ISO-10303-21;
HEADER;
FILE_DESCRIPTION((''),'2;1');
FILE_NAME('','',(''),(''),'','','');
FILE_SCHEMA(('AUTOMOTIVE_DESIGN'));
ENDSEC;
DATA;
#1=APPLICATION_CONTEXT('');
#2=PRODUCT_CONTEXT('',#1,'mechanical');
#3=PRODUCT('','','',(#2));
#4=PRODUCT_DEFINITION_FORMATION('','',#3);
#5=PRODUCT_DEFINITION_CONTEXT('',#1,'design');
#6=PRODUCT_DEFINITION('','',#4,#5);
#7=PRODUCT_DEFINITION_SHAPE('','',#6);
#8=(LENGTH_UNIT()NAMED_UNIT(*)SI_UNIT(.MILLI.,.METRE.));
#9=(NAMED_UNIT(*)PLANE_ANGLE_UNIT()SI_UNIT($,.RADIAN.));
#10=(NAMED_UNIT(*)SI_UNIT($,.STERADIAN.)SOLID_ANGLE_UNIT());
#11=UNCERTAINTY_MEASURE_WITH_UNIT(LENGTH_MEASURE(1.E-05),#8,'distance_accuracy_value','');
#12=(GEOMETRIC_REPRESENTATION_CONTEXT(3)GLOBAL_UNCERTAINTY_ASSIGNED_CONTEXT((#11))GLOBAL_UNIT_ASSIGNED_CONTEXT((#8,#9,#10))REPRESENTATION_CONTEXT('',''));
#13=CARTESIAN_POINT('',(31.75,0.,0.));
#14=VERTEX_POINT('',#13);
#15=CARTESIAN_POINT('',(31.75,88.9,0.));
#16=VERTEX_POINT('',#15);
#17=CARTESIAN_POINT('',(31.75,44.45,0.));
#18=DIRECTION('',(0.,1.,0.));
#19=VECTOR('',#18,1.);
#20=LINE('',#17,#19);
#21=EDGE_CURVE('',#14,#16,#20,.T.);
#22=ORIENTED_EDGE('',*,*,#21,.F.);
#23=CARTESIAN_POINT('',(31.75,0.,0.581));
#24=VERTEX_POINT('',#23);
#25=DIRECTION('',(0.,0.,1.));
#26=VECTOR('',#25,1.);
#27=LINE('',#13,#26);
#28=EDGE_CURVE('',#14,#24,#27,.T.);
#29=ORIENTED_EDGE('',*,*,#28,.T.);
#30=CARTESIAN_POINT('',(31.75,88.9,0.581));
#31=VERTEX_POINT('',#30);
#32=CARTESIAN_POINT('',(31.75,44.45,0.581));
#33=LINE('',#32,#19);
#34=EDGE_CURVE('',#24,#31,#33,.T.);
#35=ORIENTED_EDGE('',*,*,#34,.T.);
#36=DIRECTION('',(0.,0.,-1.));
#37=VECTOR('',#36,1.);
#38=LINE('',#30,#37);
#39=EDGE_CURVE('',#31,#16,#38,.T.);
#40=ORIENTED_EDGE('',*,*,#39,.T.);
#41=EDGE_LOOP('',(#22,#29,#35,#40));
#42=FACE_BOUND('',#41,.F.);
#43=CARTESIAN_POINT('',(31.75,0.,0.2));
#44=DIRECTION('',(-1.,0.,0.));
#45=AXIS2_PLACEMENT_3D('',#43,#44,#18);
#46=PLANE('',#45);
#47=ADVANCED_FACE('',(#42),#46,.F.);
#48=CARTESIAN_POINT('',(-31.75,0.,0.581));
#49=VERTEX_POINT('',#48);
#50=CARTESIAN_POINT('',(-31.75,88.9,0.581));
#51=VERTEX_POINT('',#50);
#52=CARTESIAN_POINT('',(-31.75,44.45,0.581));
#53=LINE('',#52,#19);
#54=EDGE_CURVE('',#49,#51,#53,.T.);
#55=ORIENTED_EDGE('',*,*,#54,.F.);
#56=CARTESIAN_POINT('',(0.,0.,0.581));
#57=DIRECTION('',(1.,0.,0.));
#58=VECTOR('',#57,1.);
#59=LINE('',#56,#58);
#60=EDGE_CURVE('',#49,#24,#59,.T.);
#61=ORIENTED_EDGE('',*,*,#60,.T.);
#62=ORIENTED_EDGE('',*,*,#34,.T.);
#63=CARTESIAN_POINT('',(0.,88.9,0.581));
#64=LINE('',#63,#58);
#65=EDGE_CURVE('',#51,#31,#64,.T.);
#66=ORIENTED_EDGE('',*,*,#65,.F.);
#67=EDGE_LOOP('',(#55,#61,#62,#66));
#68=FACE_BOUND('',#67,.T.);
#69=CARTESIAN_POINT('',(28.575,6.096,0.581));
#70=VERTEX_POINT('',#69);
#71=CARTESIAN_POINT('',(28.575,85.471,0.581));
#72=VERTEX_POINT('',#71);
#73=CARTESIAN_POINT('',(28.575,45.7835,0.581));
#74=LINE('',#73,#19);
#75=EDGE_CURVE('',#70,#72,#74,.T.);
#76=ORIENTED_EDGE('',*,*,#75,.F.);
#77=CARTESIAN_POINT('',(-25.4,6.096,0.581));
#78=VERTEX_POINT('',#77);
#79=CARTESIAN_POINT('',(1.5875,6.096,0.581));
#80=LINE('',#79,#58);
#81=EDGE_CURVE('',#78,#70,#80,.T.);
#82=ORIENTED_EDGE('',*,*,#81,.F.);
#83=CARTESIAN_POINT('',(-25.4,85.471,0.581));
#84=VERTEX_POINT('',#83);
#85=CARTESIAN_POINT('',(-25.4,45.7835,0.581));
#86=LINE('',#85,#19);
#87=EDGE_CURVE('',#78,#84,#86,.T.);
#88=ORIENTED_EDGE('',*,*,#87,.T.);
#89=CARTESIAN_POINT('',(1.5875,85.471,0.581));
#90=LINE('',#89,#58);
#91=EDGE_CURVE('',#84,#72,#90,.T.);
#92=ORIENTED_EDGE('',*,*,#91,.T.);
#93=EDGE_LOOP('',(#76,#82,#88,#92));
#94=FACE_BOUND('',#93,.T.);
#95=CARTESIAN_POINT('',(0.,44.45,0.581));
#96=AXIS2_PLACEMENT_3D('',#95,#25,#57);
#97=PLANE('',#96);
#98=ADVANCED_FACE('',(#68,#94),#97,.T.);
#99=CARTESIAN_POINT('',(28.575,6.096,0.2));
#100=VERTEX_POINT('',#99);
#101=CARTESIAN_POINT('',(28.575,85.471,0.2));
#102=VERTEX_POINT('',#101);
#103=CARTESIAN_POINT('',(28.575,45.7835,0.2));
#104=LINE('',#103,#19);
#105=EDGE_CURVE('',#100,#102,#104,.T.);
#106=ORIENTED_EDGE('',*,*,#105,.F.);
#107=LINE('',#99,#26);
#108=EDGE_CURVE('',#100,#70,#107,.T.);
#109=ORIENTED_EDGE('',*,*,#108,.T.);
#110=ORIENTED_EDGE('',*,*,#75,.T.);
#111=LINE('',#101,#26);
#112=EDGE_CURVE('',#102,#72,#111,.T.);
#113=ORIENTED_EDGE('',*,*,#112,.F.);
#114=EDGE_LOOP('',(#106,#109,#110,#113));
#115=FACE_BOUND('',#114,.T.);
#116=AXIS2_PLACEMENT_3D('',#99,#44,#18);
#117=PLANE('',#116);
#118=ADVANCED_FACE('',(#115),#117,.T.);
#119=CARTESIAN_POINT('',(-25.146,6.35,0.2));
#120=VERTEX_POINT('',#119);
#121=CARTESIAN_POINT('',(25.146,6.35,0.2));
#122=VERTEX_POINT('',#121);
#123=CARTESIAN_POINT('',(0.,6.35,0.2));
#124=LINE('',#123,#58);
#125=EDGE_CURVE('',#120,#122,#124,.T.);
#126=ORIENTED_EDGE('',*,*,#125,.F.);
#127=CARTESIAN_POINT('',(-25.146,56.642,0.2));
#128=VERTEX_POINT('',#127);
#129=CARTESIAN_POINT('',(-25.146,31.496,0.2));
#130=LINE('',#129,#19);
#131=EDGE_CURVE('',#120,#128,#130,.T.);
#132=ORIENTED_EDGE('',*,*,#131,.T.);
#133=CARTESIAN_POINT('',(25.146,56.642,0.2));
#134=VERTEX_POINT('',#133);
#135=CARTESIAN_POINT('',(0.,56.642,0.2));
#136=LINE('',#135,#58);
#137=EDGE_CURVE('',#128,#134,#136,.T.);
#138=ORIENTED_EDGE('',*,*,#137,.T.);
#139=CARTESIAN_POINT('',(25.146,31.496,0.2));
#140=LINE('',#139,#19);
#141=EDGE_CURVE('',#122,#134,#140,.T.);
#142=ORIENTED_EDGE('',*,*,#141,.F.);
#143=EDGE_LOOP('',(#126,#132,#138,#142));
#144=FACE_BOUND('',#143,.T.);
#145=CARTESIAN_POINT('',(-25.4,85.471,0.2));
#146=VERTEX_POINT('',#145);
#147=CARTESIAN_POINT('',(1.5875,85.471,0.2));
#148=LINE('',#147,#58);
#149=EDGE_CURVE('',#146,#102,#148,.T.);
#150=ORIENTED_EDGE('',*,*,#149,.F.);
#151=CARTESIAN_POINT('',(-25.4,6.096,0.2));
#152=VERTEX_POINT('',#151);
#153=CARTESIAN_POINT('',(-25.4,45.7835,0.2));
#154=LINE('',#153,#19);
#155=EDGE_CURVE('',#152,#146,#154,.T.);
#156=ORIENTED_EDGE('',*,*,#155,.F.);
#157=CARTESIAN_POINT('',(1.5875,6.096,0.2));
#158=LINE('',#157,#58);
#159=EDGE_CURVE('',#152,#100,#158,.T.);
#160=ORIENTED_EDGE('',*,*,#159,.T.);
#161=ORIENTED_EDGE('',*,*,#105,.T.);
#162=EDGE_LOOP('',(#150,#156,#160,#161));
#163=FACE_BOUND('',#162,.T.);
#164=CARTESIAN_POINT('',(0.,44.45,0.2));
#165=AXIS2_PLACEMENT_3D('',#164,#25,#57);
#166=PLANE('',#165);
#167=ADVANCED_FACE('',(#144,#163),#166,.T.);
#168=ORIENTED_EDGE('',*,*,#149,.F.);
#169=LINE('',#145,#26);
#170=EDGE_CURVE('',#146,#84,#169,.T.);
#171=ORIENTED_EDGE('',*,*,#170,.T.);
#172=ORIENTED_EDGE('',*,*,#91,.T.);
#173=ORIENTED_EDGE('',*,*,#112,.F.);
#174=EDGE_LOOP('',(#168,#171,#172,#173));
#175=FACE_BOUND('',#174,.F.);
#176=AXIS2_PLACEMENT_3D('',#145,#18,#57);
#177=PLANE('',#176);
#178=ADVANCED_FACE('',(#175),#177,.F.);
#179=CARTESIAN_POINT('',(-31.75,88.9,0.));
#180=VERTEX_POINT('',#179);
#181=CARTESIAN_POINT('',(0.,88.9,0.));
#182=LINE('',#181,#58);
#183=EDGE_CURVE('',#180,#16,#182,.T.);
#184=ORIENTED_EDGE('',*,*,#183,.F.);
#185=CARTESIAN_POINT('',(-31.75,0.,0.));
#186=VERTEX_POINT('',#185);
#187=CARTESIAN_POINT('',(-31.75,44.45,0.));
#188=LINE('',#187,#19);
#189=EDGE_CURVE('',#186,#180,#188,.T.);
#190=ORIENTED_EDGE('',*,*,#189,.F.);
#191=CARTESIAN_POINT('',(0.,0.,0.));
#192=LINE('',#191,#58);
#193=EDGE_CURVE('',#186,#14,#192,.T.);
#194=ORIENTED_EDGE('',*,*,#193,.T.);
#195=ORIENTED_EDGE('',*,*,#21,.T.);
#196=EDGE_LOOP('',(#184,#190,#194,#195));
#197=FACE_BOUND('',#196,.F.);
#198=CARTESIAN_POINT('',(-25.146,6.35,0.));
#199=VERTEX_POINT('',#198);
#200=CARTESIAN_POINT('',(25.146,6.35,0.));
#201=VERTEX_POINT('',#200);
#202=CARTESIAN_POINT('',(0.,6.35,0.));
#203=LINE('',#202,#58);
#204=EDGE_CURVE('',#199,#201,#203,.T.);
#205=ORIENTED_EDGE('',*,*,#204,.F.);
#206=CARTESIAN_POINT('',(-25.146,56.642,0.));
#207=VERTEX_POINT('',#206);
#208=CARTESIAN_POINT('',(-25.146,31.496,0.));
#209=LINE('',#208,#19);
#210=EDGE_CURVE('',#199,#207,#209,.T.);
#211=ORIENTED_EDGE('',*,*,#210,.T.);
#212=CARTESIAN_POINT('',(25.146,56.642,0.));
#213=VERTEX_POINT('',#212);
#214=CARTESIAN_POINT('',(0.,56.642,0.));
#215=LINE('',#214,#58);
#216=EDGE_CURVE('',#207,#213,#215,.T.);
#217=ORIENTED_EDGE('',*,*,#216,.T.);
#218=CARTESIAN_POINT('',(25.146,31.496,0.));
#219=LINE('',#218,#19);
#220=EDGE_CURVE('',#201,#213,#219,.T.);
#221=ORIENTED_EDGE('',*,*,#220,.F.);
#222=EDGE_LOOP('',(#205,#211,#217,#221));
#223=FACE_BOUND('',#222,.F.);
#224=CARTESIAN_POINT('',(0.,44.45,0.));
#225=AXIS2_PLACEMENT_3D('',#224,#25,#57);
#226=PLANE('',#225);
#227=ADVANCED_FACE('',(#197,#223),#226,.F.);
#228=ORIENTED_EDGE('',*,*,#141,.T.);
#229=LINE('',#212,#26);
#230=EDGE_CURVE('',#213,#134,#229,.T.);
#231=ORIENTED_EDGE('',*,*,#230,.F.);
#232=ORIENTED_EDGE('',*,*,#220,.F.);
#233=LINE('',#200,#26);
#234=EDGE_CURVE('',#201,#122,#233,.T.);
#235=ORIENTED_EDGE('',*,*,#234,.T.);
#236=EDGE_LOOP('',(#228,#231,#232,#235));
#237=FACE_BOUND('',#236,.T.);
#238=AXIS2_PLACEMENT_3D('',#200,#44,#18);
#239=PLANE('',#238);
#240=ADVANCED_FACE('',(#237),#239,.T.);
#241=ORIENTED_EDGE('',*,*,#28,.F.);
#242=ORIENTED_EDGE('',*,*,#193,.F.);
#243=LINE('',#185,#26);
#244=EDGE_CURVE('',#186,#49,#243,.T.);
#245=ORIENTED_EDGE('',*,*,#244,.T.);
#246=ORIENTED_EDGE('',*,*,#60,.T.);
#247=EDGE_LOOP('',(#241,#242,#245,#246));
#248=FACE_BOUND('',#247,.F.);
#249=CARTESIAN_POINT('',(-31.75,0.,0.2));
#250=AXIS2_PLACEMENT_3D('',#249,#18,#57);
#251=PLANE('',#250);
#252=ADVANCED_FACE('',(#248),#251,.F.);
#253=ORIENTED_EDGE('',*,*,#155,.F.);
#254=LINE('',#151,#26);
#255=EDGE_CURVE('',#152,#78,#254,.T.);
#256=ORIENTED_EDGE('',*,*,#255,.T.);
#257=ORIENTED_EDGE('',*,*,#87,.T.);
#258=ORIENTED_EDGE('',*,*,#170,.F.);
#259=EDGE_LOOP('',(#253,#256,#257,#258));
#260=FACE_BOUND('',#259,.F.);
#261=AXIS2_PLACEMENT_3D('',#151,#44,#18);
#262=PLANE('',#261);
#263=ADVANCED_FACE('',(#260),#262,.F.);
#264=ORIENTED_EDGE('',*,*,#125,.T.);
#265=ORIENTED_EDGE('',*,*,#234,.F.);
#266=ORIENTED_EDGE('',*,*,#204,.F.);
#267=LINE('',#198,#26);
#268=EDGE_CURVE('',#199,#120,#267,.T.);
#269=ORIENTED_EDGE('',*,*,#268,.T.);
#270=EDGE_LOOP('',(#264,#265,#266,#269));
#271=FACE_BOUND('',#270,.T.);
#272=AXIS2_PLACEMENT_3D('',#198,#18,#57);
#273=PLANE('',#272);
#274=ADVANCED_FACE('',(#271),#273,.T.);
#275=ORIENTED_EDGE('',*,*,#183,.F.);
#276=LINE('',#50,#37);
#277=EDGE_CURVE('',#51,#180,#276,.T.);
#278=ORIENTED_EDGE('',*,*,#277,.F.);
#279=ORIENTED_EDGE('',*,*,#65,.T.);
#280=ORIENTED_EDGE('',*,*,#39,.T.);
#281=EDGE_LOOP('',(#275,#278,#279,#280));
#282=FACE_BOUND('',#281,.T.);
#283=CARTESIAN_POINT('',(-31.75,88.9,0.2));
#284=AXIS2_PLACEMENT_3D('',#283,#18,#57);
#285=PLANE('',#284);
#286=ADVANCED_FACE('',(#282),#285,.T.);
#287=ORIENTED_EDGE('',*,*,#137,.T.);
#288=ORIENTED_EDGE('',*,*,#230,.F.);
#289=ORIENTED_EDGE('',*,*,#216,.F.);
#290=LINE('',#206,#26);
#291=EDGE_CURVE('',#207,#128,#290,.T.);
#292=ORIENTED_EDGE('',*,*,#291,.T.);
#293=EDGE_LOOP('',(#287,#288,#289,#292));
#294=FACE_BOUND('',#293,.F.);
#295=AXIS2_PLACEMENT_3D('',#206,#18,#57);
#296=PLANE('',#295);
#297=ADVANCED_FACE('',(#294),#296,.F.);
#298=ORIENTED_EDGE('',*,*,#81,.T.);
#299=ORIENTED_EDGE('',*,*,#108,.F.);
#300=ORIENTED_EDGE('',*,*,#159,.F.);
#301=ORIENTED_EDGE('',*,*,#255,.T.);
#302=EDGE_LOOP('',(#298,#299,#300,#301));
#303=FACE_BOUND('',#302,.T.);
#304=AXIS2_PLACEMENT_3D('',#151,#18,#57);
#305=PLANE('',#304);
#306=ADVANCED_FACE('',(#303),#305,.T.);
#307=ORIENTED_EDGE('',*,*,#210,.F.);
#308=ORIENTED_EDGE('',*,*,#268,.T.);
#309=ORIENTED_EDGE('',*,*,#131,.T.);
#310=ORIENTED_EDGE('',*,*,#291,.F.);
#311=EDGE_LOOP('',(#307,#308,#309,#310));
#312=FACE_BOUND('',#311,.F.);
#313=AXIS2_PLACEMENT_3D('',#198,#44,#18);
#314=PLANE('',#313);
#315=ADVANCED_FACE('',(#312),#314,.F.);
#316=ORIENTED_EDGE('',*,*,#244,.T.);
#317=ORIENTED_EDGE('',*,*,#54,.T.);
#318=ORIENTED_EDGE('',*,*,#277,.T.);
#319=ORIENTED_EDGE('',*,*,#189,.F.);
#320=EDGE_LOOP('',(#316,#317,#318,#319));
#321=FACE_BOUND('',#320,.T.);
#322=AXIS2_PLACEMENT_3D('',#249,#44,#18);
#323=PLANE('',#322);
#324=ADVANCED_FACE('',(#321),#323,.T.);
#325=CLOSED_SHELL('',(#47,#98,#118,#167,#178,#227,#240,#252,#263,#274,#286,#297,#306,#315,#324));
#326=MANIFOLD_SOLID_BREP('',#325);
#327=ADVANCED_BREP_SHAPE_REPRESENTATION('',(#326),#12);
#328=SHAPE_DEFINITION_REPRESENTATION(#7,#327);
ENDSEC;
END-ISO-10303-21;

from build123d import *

# Parameters (mm, degrees)
F0_W     = 63.5
F0_H     = 88.9
F0_W_2   = 50.292
F0_H_2   = 50.292
F1_DEPTH = 0.2
F2_W     = 63.5
F2_H     = 88.9
F2_W_2   = 53.975
F2_H_2   = 79.375
F3_DEPTH = 0.381


with BuildPart() as f1:
    # F0 (on Top) → F1 (new body)
    with BuildSketch(Plane.XY):
        with Locations((0, 44.45)):
            Rectangle(F0_W, F0_H)
        with Locations((0, 31.496)):
            Rectangle(F0_W_2, F0_H_2, mode=Mode.SUBTRACT)
    extrude(amount=F1_DEPTH)

    # F2 (on face) → F3 (join)
    with BuildSketch(Plane.XY.offset(0.2)):
        with Locations((0, 44.45)):
            Rectangle(F2_W, F2_H)
        with Locations((1.5875, 45.7835)):
            Rectangle(F2_W_2, F2_H_2, mode=Mode.SUBTRACT)
    extrude(amount=F3_DEPTH)


solid = f1.part
